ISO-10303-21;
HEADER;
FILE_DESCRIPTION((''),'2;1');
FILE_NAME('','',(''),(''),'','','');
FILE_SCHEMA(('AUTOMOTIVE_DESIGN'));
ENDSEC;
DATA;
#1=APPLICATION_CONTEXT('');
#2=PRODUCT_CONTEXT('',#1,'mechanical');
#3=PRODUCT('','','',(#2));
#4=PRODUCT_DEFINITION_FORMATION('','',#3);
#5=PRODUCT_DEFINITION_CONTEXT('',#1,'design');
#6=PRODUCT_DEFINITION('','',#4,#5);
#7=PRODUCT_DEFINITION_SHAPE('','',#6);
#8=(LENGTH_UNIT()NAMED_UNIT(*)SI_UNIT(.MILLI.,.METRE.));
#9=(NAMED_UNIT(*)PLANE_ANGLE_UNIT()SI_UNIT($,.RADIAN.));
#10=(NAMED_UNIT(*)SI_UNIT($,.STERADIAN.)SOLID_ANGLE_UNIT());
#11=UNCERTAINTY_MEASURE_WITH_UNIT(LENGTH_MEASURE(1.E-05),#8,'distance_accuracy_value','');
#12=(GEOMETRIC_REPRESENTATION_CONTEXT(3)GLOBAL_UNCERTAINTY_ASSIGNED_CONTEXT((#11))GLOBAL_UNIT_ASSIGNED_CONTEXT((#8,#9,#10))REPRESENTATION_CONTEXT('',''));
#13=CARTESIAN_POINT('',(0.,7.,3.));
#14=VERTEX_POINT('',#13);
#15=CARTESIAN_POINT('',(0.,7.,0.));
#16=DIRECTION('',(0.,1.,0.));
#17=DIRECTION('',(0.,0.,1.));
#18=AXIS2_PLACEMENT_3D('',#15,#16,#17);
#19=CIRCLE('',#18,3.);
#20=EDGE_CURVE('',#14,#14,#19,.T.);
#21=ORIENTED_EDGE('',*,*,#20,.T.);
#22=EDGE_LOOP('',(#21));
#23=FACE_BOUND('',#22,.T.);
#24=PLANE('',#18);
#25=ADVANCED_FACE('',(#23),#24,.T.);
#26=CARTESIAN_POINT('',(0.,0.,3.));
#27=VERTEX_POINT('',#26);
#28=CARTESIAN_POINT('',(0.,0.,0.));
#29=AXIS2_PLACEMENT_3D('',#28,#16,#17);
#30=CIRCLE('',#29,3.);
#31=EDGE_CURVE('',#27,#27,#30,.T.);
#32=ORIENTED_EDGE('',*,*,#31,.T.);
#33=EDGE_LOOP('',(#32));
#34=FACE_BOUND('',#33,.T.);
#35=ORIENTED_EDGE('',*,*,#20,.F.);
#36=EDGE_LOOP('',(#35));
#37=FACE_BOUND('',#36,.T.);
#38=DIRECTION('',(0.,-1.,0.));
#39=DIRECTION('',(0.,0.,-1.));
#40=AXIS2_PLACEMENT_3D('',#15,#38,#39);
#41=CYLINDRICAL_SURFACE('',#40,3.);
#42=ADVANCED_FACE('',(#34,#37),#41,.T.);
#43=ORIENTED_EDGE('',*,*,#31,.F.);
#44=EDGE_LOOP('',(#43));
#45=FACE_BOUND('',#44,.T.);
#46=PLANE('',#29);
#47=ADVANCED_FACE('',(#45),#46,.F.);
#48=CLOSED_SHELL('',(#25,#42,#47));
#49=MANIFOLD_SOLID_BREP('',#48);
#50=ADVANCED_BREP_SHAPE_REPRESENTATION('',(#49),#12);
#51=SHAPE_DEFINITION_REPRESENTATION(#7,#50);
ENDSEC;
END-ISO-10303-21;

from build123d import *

# Parameters (mm, degrees)
SKETCH_1_R      = 3
EXTRUDE_1_DEPTH = 7


with BuildPart() as part:
    # Эскиз1 → Бобышка-Вытянуть1 (new body)
    with BuildSketch(Plane(origin=(0, 0, 0), x_dir=(1, 0, 0), z_dir=(0, 1, 0))):
        Circle(SKETCH_1_R)
    extrude(amount=EXTRUDE_1_DEPTH)


solid = part.part
